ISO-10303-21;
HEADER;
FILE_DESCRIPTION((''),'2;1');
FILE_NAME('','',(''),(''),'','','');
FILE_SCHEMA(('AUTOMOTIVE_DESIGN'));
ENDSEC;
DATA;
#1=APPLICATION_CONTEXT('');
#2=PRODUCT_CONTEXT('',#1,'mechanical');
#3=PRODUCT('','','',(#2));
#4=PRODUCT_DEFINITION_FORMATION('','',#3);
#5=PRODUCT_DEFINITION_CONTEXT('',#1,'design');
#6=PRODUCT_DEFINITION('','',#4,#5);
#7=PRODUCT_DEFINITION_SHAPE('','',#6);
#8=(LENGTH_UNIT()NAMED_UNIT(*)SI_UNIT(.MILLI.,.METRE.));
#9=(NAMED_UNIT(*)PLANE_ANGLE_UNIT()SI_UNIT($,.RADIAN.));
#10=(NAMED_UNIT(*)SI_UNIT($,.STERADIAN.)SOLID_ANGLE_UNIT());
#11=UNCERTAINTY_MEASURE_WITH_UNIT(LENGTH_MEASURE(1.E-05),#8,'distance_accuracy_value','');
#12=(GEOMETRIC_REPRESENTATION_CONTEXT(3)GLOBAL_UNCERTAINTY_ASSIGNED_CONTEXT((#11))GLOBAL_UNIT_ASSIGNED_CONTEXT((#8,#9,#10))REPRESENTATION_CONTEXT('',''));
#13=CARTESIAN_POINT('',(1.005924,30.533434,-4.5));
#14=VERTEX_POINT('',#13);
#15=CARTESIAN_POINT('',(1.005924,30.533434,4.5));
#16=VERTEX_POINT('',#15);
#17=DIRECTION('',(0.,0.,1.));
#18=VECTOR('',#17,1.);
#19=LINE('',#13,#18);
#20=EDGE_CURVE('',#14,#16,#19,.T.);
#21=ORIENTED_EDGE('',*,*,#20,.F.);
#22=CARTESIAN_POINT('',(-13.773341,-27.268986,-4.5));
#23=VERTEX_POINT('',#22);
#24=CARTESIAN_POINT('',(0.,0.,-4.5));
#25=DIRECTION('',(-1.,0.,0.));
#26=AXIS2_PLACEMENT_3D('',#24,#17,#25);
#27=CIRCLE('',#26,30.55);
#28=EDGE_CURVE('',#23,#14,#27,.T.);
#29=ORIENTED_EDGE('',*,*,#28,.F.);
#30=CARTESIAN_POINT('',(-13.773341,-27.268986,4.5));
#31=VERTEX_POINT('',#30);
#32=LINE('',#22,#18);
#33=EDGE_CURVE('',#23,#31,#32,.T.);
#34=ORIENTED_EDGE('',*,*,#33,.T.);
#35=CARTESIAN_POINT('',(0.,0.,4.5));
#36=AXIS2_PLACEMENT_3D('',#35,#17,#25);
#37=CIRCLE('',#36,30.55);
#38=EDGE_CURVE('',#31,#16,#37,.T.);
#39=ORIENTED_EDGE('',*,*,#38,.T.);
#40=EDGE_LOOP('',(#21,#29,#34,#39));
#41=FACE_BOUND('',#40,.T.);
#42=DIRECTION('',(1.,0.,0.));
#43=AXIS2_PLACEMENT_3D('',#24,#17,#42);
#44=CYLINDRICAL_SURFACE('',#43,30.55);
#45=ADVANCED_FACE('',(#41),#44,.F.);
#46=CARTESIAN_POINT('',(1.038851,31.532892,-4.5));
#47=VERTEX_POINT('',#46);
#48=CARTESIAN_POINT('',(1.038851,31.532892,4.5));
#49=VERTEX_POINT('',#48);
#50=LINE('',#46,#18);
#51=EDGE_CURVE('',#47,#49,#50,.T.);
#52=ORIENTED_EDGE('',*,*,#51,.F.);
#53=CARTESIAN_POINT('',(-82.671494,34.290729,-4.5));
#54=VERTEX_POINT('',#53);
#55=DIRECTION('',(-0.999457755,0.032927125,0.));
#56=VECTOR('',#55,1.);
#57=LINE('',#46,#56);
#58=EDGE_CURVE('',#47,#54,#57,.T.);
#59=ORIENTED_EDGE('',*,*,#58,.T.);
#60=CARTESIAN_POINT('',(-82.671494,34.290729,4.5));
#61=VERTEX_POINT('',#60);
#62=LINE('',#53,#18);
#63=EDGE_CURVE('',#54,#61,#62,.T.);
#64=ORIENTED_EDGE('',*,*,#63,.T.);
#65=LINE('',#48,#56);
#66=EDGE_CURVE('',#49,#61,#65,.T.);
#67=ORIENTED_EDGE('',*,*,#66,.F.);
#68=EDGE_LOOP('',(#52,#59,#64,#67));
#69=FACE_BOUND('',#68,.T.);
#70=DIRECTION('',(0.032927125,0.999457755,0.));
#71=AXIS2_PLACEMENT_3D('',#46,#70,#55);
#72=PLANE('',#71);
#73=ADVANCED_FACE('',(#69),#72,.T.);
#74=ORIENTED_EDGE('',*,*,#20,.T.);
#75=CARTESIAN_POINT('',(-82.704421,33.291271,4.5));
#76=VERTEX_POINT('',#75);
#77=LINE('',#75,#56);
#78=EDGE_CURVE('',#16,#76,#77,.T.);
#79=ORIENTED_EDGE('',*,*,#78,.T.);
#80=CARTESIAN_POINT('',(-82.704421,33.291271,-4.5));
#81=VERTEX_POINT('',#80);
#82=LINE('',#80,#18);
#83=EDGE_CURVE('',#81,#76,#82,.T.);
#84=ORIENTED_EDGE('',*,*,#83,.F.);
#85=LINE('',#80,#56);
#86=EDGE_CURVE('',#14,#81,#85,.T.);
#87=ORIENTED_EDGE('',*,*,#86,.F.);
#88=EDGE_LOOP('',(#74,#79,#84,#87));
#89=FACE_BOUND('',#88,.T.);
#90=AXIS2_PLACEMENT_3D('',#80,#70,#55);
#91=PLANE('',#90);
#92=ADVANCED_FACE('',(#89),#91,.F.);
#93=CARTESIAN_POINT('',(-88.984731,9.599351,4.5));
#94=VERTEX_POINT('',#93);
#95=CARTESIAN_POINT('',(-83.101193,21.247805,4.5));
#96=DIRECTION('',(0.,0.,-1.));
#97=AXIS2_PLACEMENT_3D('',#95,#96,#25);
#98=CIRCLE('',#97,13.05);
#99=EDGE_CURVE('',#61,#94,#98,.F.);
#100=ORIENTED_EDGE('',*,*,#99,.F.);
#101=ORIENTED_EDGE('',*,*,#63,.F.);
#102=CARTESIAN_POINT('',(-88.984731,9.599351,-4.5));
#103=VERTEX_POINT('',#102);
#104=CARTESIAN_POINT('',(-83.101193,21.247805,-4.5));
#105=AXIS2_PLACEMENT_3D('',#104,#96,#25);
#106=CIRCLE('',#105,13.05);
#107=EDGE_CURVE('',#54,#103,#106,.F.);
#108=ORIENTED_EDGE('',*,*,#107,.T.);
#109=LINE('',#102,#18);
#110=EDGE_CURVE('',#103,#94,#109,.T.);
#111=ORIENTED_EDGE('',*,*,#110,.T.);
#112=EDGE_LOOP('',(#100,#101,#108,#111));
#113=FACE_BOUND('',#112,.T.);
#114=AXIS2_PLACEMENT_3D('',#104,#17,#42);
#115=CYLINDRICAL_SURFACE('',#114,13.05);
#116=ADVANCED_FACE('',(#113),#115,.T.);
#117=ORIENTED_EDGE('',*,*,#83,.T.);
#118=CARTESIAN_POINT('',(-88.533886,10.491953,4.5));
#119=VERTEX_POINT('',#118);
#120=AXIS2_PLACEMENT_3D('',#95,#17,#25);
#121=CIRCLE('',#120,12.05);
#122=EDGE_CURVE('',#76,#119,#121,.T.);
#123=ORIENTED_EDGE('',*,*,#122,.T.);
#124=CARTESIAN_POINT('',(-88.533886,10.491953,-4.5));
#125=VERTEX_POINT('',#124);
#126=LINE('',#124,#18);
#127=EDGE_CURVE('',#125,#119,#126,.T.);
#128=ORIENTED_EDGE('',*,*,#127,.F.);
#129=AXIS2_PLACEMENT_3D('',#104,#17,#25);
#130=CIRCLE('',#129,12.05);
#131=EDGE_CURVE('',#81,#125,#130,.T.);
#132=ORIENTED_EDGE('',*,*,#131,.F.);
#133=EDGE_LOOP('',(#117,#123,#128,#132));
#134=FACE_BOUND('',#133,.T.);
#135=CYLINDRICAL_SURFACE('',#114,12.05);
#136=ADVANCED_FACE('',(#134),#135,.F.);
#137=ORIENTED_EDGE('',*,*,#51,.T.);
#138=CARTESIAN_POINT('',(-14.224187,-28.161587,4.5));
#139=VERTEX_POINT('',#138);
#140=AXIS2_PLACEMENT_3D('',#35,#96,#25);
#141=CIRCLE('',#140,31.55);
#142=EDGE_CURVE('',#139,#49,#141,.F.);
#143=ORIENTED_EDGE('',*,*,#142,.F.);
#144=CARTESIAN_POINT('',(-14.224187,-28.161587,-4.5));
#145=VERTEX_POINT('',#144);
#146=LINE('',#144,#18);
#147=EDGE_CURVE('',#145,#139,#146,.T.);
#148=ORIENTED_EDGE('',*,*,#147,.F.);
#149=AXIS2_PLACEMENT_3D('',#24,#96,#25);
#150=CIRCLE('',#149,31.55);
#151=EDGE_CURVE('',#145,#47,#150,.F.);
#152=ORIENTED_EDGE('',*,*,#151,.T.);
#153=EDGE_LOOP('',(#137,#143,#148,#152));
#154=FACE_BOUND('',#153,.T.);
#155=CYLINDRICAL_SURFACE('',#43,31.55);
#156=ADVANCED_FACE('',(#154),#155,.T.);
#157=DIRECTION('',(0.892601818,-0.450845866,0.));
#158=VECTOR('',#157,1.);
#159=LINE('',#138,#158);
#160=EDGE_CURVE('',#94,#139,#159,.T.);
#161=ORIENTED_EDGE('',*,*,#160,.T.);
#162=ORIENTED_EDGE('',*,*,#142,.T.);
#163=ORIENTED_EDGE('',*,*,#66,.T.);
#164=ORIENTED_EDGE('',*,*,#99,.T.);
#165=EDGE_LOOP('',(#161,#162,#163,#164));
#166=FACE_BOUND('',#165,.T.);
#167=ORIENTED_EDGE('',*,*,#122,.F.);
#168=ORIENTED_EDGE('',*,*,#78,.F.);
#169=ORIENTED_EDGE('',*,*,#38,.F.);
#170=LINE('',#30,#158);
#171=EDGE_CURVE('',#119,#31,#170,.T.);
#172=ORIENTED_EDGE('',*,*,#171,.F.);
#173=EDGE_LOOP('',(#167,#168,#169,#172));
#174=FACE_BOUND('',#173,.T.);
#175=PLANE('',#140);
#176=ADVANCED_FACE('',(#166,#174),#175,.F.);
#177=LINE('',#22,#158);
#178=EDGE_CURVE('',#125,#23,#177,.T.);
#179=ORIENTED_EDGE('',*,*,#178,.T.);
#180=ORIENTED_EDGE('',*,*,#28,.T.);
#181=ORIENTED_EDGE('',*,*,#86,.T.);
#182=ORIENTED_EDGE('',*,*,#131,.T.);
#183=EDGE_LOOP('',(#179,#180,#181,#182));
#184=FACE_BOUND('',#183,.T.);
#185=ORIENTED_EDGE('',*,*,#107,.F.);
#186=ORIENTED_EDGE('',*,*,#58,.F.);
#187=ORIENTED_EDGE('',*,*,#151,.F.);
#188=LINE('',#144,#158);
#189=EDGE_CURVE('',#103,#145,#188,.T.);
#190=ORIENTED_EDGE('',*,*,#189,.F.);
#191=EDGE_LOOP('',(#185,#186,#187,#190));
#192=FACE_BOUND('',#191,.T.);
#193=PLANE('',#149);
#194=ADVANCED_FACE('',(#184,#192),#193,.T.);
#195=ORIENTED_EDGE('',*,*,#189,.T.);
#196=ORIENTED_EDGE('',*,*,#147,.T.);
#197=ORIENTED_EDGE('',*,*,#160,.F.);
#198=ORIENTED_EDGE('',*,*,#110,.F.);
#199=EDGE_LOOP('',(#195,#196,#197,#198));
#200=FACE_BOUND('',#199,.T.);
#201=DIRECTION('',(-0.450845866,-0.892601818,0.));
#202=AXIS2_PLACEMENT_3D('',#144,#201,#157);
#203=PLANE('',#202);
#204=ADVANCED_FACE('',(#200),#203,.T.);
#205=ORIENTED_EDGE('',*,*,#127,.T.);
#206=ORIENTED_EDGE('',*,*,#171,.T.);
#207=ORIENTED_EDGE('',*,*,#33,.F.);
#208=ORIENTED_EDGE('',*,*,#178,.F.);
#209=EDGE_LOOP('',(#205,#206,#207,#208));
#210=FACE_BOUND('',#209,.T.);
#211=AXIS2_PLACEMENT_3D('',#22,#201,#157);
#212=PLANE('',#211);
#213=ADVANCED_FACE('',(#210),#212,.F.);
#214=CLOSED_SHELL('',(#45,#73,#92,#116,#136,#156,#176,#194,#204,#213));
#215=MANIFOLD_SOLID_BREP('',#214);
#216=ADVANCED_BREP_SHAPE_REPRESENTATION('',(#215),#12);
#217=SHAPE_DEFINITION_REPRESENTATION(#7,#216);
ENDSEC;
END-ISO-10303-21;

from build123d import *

# Parameters (mm, degrees)
EXTRUDE_THIN1_DEPTH      = 4.5
EXTRUDE_THIN1_DEPTH_BACK = 4.5


with BuildPart() as part:
    # Sketch2 → Extrude-Thin1 (new, two sides: drawn at the far end of the back side and taken through both)
    with BuildSketch(Plane.XY.offset(-EXTRUDE_THIN1_DEPTH_BACK)):
        with BuildLine():
            Line((-82.671493911, 34.290728623), (1.038850809, 31.532892176))
            ThreePointArc((1.038850809, 31.532892176), (30.56666476, -7.815465785), (-14.224187077, -28.161587348))
            Line((-14.224187077, -28.161587348), (-88.984731452, 9.599351197))
            ThreePointArc((-88.984731452, 9.599351197), (-95.744456769, 24.480509466), (-82.671493911, 34.290728623))
        make_face()
        with BuildLine():
            Line((-82.704421037, 33.291270868), (1.005923683, 30.533434421))
            ThreePointArc((1.005923683, 30.533434421), (29.59783228, -7.567748962), (-13.773341211, -27.268985531))
            Line((-13.773341211, -27.268985531), (-88.533885586, 10.491953014))
            ThreePointArc((-88.533885586, 10.491953014), (-94.775624289, 24.232792642), (-82.704421037, 33.291270868))
        make_face(mode=Mode.SUBTRACT)
    extrude(amount=EXTRUDE_THIN1_DEPTH + EXTRUDE_THIN1_DEPTH_BACK)


solid = part.part
